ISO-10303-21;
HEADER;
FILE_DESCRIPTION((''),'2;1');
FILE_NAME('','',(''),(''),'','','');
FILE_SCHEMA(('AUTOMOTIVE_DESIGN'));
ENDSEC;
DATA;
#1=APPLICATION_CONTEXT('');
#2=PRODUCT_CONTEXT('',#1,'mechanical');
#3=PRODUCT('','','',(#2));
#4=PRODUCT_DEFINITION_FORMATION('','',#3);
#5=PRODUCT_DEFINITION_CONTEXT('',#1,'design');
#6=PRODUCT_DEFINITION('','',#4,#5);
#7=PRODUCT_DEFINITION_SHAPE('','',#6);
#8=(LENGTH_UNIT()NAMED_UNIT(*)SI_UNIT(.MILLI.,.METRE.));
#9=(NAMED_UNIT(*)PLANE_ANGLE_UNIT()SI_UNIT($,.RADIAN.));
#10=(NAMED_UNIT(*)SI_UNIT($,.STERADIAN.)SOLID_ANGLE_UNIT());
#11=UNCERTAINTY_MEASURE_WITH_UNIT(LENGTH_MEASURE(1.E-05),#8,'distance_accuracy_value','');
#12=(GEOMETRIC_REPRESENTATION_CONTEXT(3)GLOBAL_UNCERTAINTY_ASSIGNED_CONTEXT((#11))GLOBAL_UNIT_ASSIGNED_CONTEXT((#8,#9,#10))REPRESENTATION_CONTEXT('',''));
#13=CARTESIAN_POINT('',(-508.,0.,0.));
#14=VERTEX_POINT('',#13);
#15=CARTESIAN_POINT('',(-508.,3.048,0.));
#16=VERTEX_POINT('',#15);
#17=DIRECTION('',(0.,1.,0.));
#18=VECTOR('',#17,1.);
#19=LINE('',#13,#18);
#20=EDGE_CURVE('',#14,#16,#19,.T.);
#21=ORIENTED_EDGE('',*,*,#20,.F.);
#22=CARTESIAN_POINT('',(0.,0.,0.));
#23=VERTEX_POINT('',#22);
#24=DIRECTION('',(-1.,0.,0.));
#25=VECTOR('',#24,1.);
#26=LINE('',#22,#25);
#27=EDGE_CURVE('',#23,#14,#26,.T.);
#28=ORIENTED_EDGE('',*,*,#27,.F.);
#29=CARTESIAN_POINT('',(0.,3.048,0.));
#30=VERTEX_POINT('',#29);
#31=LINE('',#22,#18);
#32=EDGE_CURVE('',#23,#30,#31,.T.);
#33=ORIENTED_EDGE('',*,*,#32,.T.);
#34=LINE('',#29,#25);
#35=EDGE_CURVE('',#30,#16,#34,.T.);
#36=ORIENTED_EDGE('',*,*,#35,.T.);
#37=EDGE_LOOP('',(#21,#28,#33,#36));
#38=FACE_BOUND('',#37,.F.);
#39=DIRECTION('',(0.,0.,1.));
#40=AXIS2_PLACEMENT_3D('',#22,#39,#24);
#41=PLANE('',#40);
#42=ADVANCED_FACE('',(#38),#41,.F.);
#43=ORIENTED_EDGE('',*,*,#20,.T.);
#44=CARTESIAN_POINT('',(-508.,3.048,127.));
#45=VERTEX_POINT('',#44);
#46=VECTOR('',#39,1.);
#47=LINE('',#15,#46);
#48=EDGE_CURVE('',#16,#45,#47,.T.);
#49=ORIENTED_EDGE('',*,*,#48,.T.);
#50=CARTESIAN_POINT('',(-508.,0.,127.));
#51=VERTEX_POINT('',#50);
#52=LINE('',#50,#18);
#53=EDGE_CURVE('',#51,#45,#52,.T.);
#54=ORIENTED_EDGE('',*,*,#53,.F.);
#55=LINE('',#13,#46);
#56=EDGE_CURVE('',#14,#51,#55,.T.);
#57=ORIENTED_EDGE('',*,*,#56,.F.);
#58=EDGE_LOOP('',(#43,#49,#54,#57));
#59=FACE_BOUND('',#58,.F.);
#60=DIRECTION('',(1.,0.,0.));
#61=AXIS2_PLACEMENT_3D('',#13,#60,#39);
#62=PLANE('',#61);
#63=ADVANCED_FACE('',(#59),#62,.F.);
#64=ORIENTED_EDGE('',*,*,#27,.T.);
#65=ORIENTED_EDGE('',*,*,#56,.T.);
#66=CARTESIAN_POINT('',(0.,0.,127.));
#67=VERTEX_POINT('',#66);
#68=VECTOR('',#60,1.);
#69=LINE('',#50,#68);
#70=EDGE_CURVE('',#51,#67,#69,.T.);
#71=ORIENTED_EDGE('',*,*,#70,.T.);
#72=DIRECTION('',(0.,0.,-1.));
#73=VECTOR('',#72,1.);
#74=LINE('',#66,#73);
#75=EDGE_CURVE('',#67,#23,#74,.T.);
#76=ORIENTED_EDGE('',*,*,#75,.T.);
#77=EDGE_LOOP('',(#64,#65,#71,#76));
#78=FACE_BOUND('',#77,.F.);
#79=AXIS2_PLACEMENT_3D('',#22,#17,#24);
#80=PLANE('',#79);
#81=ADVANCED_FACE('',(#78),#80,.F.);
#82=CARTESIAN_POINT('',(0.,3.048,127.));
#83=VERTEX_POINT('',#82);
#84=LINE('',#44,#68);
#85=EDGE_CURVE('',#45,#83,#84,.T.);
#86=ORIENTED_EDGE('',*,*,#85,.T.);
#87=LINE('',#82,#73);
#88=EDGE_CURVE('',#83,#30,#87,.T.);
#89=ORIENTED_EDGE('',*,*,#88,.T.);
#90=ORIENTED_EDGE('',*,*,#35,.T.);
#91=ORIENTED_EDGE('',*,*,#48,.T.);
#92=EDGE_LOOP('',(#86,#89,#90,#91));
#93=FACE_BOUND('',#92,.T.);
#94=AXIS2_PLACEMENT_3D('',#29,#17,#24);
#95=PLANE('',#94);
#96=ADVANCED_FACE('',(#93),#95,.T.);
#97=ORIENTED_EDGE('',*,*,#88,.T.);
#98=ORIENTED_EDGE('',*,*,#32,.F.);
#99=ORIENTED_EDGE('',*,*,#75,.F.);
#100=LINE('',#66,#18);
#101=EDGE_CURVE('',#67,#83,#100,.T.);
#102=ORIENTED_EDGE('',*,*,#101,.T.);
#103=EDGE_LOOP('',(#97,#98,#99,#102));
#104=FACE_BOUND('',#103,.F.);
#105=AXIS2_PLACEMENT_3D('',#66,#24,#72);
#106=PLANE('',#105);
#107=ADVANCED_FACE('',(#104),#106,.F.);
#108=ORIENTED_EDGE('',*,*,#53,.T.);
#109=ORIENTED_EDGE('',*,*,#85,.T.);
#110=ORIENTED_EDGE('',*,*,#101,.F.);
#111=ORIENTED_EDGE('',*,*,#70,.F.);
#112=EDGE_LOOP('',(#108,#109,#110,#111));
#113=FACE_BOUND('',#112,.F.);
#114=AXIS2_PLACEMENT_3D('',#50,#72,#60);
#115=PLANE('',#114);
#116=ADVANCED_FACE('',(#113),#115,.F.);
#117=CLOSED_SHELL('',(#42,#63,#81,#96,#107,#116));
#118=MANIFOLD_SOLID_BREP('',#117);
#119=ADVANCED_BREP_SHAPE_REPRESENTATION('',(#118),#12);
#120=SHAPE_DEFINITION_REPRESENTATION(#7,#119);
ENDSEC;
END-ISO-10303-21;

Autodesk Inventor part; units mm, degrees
ref_plane "YZ Plane" through (0, 0, 0) normal (1, 0, 0) x (0, 1, 0)
ref_plane "XZ Plane" through (0, 0, 0) normal (0, 1, 0) x (-1, 0, 0)
ref_plane "XY Plane" through (0, 0, 0) normal (0, 0, 1) x (1, 0, 0)
sketch "Sketch1" plane through (0, 0, 0) normal (0, 1, 0) x (-1, 0, 0)
  line L0 (0, 0) -> (508, 0)
  line L1 (508, 0) -> (508, 127)
  line L2 (508, 127) -> (0, 127)
  line L3 (0, 127) -> (0, 0)
  dimension "d0" = 508
  dimension "d1" = 127
extrude "Extrusion1" add sketch "Sketch1" along normal blind 3.048
properties part number "aux_jags"
